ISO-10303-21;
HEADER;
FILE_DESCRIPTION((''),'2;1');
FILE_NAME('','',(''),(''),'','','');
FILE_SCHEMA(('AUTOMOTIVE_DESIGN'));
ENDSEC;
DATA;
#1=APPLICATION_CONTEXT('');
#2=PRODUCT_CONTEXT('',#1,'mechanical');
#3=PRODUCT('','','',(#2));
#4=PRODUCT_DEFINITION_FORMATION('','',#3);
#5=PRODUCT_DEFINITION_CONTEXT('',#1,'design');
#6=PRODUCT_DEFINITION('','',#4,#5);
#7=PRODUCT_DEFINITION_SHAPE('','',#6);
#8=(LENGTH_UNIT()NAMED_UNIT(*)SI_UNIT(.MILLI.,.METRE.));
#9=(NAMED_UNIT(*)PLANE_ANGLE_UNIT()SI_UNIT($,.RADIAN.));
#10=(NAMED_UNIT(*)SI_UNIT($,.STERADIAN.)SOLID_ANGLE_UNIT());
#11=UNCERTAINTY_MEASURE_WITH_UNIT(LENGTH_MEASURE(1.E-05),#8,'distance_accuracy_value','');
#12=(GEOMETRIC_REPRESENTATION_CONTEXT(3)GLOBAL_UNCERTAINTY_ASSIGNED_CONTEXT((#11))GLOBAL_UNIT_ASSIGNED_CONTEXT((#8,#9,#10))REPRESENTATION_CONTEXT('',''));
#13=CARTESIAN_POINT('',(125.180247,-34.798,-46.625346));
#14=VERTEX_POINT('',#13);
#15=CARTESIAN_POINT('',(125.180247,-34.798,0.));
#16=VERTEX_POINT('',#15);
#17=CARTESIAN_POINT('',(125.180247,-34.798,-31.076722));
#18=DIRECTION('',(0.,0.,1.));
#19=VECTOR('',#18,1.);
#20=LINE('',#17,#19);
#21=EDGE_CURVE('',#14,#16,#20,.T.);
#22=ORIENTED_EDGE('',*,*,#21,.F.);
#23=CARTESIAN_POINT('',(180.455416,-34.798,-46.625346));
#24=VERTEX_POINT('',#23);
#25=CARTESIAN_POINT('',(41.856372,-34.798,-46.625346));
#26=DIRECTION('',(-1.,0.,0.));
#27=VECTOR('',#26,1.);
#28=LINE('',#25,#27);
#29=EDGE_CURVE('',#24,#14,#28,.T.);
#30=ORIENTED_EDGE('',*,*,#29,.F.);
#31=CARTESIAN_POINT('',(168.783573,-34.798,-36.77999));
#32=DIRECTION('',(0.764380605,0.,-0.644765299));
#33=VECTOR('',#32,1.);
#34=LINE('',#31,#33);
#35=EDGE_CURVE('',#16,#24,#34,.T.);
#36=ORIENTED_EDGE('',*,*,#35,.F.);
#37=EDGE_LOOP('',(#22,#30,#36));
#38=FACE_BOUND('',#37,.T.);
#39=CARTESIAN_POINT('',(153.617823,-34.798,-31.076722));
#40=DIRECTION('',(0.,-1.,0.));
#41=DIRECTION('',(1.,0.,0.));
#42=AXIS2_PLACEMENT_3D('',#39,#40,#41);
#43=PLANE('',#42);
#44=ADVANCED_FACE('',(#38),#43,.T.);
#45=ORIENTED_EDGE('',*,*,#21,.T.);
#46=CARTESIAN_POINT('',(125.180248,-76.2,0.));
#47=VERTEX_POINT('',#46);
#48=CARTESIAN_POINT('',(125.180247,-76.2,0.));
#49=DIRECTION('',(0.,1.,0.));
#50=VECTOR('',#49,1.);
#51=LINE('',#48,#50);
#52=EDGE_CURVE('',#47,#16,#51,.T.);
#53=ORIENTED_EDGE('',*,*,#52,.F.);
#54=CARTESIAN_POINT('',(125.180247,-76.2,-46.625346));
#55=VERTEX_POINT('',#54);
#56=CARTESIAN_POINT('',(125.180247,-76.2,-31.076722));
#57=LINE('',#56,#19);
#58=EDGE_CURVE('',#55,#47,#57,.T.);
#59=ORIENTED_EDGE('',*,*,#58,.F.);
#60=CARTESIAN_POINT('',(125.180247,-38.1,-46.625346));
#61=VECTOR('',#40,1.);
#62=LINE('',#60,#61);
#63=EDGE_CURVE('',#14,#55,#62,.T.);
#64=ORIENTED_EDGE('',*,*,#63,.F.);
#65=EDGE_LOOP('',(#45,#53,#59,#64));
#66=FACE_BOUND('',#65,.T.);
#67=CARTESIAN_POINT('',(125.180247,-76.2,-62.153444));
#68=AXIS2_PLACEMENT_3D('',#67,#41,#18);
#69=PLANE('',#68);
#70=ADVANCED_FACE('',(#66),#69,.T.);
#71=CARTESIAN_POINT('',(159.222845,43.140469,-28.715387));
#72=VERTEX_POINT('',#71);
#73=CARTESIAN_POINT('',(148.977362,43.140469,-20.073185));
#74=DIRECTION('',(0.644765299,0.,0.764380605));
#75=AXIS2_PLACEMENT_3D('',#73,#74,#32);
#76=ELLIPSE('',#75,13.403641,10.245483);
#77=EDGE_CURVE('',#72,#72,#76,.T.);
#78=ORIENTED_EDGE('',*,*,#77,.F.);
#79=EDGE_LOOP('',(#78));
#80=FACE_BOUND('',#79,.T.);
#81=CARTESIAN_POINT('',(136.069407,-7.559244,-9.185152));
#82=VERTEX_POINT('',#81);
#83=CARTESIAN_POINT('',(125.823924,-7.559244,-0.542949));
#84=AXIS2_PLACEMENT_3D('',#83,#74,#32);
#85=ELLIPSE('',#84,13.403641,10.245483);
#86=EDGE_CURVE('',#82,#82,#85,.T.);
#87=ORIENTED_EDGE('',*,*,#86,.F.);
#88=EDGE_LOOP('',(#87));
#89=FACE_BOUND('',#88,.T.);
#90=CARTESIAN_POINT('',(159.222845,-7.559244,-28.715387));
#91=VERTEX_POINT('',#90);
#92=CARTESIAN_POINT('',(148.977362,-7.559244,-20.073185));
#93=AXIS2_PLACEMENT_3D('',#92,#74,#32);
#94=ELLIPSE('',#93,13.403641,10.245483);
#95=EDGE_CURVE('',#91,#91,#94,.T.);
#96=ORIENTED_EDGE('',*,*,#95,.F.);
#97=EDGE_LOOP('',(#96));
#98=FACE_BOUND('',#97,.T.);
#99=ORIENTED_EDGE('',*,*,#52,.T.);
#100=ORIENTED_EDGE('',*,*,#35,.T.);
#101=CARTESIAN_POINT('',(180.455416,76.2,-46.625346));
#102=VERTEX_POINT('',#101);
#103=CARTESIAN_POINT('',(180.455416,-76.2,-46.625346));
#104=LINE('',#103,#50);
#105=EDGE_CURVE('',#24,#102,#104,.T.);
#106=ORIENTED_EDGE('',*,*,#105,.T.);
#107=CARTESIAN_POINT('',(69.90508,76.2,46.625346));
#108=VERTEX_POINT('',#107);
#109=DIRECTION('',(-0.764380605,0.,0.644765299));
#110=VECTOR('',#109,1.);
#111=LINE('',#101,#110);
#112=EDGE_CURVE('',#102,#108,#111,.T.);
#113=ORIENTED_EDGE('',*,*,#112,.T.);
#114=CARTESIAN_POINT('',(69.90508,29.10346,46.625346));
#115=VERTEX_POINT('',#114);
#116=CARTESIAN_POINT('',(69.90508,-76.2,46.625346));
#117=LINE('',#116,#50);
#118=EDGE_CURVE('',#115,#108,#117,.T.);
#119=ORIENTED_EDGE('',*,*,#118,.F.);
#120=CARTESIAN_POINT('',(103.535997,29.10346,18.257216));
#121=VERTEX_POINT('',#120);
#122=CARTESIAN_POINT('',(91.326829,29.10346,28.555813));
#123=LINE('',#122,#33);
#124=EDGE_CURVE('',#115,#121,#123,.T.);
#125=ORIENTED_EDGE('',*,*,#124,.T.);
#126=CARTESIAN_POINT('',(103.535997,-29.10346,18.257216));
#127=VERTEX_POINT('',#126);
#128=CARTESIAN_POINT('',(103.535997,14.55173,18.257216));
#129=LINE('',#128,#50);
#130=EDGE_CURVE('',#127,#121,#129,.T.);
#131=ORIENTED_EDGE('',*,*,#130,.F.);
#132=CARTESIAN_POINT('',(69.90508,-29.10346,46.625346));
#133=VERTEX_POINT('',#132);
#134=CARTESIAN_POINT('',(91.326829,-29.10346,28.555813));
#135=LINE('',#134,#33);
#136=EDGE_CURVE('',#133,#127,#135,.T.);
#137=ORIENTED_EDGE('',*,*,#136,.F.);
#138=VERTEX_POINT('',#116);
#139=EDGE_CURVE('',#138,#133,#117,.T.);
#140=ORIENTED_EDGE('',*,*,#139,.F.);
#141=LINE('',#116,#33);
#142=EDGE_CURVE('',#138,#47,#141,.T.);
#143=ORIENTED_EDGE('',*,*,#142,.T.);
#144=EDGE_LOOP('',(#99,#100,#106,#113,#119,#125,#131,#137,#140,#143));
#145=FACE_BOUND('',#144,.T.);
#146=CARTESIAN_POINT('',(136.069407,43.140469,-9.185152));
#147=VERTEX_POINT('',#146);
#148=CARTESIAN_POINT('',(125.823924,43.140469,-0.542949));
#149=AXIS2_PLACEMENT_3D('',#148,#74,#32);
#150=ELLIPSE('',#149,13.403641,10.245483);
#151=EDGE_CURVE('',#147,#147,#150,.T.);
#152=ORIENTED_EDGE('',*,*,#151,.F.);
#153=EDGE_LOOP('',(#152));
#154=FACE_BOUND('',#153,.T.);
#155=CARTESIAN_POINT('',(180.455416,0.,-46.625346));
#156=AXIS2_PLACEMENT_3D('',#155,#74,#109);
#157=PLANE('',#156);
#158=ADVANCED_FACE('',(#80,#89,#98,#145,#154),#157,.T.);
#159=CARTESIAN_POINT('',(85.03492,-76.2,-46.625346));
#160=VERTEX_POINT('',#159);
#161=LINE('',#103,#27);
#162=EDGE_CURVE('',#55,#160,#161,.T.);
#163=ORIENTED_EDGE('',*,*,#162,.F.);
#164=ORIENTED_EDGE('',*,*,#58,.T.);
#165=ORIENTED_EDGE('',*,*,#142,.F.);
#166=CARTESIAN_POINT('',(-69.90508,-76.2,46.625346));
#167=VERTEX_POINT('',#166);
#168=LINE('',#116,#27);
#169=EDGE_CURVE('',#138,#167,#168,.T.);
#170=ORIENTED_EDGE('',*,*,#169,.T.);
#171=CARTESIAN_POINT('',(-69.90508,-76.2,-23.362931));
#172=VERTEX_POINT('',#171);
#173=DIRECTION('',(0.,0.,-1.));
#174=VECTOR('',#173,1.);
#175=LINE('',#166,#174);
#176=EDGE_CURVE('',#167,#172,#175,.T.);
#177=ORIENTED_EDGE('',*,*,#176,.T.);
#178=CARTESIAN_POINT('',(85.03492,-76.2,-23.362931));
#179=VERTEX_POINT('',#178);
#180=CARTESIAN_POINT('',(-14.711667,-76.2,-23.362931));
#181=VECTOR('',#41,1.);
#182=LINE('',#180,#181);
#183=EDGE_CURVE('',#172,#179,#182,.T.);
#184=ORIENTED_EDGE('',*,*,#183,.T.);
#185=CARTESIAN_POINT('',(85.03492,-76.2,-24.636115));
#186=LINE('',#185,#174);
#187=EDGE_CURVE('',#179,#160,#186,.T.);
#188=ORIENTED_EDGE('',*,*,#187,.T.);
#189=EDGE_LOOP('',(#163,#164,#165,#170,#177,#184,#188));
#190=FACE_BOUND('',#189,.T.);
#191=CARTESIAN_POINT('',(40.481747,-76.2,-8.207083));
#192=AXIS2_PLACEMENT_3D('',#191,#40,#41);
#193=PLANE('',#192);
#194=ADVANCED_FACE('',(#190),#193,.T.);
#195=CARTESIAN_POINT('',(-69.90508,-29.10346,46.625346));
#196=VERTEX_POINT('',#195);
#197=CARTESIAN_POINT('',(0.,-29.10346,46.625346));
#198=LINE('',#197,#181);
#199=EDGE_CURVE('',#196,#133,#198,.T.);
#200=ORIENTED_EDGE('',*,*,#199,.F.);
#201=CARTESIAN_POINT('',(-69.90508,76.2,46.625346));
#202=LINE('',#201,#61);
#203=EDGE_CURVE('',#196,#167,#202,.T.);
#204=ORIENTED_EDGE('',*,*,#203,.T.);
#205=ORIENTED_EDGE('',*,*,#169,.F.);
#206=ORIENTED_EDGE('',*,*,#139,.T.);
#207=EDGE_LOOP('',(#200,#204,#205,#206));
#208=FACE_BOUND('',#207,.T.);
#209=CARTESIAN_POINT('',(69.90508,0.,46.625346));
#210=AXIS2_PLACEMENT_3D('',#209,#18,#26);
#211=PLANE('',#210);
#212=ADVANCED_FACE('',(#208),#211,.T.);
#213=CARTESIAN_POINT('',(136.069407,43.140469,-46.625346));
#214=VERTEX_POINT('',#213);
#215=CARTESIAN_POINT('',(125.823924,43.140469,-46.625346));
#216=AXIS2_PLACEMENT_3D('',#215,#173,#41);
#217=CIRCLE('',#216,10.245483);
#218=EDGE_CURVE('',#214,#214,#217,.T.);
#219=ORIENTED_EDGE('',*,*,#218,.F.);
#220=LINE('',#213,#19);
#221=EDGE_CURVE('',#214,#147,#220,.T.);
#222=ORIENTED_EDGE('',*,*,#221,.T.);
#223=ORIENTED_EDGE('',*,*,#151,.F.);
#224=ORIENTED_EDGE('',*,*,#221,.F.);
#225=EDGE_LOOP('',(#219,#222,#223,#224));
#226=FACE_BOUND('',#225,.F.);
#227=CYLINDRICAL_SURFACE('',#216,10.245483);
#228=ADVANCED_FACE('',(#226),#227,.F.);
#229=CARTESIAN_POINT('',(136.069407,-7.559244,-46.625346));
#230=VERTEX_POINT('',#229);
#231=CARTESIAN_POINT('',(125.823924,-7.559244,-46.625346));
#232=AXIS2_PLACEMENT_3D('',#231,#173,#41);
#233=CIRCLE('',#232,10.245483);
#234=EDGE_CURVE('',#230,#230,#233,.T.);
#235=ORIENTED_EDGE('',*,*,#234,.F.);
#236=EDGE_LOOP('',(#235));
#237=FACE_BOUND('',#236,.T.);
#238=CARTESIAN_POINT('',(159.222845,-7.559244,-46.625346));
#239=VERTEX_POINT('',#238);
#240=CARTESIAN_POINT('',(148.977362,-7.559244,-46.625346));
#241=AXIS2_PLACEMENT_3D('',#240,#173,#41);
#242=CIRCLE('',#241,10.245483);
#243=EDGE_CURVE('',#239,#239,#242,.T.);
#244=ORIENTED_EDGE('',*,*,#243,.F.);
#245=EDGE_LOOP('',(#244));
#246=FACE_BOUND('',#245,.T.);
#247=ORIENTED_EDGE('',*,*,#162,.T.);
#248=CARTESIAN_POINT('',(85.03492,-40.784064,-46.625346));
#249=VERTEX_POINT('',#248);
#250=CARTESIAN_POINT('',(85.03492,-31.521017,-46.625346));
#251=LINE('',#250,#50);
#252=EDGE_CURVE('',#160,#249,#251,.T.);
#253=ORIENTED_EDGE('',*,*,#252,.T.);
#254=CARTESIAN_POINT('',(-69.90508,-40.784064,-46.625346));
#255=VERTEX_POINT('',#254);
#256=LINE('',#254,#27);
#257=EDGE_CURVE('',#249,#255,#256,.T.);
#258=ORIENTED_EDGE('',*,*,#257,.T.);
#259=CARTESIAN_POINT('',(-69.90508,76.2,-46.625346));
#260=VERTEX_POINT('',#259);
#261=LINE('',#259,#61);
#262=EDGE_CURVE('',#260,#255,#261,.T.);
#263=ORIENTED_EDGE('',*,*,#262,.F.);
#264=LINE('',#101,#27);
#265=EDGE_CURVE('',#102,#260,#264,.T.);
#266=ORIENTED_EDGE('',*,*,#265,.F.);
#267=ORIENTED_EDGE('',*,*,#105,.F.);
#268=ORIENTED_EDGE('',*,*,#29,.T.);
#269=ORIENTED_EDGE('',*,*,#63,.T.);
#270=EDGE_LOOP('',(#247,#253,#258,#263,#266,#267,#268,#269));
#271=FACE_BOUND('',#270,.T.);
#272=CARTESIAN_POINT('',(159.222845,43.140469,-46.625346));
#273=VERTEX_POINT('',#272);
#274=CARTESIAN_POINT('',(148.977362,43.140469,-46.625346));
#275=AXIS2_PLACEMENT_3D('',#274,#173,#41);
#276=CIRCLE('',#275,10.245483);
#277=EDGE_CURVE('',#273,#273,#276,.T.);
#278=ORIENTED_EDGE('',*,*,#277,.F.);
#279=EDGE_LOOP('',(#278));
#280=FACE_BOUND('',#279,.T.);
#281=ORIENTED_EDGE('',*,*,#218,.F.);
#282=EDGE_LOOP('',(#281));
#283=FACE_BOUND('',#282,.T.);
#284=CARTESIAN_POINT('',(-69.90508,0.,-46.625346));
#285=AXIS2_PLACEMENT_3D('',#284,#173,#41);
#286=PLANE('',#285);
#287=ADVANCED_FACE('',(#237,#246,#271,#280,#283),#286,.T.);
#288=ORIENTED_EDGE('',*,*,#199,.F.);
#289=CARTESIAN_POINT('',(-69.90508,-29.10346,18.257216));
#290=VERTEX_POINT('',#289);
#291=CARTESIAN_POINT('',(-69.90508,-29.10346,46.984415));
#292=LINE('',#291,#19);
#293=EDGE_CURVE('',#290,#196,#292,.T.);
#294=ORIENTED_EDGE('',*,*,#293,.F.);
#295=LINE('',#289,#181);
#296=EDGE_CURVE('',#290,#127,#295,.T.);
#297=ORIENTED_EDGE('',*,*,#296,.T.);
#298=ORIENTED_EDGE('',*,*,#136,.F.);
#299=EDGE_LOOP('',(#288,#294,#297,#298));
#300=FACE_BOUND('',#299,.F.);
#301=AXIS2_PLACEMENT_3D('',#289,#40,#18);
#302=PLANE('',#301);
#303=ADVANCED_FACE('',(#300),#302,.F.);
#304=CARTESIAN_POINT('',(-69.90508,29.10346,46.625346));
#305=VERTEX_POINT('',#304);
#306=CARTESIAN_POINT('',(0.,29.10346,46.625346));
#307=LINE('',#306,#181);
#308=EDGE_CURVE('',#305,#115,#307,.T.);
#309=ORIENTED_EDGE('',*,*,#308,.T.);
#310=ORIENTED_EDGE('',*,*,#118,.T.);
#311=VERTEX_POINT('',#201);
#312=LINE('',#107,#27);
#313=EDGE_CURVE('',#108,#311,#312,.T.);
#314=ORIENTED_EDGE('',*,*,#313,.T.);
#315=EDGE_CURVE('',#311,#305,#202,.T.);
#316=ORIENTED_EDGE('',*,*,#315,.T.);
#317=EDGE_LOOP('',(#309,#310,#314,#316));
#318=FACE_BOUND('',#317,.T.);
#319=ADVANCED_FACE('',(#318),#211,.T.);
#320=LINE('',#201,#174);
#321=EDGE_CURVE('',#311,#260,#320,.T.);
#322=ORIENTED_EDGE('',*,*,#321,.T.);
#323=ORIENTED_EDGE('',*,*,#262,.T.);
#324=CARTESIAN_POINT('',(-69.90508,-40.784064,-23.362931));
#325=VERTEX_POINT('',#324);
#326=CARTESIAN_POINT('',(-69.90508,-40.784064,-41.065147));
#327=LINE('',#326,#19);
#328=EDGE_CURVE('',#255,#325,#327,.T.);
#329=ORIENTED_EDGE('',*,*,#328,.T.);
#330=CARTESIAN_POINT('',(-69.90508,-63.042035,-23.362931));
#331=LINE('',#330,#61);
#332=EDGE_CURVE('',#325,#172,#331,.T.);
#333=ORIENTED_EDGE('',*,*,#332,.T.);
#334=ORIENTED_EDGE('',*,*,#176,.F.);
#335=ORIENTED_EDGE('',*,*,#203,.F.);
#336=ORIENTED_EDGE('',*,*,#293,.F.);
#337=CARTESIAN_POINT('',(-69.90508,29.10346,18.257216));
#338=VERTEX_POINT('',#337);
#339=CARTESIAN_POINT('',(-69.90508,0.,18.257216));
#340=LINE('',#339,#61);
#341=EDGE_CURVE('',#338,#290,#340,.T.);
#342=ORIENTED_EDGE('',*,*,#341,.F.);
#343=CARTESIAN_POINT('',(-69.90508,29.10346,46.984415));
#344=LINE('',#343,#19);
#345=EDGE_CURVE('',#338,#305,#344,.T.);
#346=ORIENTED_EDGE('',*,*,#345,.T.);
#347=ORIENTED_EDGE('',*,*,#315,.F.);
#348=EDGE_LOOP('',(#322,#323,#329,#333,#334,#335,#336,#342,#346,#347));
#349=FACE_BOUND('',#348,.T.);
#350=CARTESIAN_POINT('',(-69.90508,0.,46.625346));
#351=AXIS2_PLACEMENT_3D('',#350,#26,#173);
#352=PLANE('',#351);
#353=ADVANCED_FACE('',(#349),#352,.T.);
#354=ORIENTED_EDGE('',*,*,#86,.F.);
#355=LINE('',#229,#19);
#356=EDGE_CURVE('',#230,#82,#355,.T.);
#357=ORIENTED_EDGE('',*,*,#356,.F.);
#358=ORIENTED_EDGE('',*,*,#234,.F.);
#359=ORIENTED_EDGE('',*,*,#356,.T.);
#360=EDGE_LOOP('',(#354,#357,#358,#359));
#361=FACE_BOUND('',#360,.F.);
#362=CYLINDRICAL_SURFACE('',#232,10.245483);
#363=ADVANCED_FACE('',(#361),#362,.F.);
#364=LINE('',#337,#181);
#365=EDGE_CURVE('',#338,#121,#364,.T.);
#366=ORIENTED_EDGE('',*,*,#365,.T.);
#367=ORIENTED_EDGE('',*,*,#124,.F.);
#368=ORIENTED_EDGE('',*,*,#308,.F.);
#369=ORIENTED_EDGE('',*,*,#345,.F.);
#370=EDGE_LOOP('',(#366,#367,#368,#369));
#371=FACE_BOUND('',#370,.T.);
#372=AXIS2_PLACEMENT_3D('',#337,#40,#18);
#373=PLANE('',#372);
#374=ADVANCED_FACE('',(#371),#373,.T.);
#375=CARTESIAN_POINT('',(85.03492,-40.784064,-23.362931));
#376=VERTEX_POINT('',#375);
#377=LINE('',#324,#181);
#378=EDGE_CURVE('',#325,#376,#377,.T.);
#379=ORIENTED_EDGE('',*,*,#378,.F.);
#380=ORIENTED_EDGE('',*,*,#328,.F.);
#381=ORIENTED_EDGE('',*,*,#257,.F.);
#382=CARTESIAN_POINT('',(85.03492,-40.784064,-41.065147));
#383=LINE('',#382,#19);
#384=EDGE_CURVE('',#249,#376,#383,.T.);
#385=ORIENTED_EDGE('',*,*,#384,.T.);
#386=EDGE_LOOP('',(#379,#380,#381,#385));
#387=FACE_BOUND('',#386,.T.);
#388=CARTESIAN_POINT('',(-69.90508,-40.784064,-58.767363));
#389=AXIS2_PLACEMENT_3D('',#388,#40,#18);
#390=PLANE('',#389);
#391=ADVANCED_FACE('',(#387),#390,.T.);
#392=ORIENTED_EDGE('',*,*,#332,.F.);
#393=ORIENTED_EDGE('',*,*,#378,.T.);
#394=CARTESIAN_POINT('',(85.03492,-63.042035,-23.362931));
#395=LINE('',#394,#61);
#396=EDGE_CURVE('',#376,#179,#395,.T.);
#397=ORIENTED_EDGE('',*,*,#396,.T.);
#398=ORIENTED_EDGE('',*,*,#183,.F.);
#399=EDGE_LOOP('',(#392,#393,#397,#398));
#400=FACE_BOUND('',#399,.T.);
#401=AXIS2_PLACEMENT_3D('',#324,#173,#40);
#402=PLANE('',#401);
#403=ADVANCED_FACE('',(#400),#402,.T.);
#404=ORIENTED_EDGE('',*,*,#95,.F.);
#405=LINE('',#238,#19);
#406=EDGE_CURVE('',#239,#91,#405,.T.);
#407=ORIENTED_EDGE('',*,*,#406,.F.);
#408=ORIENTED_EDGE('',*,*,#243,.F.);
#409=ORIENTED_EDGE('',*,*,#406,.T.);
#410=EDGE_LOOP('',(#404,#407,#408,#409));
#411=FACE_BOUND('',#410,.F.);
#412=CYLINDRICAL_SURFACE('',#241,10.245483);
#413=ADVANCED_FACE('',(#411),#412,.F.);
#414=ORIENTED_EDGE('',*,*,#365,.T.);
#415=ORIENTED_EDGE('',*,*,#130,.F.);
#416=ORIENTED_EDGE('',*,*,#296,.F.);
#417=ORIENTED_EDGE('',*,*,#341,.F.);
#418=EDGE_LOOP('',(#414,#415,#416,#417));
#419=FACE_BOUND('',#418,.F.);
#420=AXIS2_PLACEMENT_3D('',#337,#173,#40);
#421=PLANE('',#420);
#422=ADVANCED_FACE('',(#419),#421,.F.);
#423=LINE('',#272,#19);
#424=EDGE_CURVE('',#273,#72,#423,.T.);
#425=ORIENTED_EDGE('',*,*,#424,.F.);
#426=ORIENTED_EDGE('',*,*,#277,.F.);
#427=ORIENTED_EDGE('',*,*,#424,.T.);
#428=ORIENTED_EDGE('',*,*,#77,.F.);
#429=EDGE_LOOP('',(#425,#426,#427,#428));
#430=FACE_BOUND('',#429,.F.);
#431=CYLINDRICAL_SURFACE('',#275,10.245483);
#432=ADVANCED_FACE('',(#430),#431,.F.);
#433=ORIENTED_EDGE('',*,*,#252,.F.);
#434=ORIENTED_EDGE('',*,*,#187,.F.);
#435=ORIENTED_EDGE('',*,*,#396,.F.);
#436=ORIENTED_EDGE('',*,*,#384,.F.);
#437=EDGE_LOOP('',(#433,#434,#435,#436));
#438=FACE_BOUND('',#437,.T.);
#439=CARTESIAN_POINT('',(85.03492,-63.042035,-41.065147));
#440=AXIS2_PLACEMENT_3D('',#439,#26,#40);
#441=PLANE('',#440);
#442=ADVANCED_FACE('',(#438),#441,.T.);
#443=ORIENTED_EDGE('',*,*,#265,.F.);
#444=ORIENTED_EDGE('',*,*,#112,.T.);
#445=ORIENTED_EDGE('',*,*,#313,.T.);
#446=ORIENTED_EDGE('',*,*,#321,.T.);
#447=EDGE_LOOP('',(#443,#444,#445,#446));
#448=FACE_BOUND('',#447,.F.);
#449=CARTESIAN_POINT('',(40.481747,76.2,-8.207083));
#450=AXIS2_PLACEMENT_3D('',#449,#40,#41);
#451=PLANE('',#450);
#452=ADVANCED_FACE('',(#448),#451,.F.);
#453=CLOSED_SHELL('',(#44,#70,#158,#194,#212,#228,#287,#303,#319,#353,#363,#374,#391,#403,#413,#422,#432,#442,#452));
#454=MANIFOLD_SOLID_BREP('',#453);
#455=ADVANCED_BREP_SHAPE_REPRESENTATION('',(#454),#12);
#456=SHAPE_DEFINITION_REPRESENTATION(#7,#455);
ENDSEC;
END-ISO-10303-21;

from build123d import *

# Parameters (mm, degrees)
F1_DEPTH  = 76.2
F3_W      = 58.20692
F3_H      = 57.454397
F4_DEPTH  = 215.138
F6_DEPTH  = 154.686
F7_W      = 56.875151
F7_H      = 62.153444
F8_DEPTH  = 41.402
F9_W      = 44.515941
F9_H      = 35.404432
F10_DEPTH = 154.94
F11_R     = 10.245483
F12_DEPTH = 93.251692


with BuildPart() as f1:
    # F0 (on Front) → F1 (new body, symmetric)
    with BuildSketch(Plane.XZ):
        Polygon((69.90508, 46.625346), (-69.90508, 46.625346), (-69.90508, -46.625346), (69.90508, -46.625346), (180.455416, -46.625346), align=None)
    extrude(amount=F1_DEPTH, both=True)

    # F3 (on face) → F4 (cut)
    with BuildSketch(Plane(origin=(-69.90508, 0, 0), x_dir=(0, -1, 0), z_dir=(-1, 0, 0))):
        with Locations((0, 46.984415)):
            Rectangle(F3_W, F3_H)
    extrude(amount=-F4_DEPTH, mode=Mode.SUBTRACT)

    # F5 (on face) → F6 (cut)
    with BuildSketch(Plane.XZ.offset(76.2)):
        Polygon((185.93514, 8.272756), (115.37275, 8.272756), (180.455416, -46.625346), (115.37275, -46.625346), (115.37275, -61.852183), (185.93514, -61.852183), align=None)
    extrude(amount=-F6_DEPTH, mode=Mode.SUBTRACT)

    # F7 (on face) → F8 (cut)
    with BuildSketch(Plane.XZ.offset(76.2)):
        with Locations((153.617823, -31.076722)):
            Rectangle(F7_W, F7_H)
    extrude(amount=-F8_DEPTH, mode=Mode.SUBTRACT)

    # F9 (on face) → F10 (cut)
    with BuildSketch(Plane(origin=(-69.90508, 0, 0), x_dir=(0, -1, 0), z_dir=(-1, 0, 0))):
        with Locations((63.042035, -41.065147)):
            Rectangle(F9_W, F9_H)
    extrude(amount=-F10_DEPTH, mode=Mode.SUBTRACT)

    # F11 (on face) → F12 (cut, through all)
    with BuildSketch(Plane(origin=(0, 0, -46.625346), x_dir=(1, 0, 0), z_dir=(0, 0, -1))):
        with Locations((148.977362, 7.559244)):
            Circle(F11_R)
        with Locations((148.977362, -43.140469)):
            Circle(F11_R)
        with Locations((125.823924, 7.559244)):
            Circle(F11_R)
        with Locations((125.823924, -43.140469)):
            Circle(F11_R)
    extrude(amount=-F12_DEPTH, mode=Mode.SUBTRACT)


solid = f1.part
